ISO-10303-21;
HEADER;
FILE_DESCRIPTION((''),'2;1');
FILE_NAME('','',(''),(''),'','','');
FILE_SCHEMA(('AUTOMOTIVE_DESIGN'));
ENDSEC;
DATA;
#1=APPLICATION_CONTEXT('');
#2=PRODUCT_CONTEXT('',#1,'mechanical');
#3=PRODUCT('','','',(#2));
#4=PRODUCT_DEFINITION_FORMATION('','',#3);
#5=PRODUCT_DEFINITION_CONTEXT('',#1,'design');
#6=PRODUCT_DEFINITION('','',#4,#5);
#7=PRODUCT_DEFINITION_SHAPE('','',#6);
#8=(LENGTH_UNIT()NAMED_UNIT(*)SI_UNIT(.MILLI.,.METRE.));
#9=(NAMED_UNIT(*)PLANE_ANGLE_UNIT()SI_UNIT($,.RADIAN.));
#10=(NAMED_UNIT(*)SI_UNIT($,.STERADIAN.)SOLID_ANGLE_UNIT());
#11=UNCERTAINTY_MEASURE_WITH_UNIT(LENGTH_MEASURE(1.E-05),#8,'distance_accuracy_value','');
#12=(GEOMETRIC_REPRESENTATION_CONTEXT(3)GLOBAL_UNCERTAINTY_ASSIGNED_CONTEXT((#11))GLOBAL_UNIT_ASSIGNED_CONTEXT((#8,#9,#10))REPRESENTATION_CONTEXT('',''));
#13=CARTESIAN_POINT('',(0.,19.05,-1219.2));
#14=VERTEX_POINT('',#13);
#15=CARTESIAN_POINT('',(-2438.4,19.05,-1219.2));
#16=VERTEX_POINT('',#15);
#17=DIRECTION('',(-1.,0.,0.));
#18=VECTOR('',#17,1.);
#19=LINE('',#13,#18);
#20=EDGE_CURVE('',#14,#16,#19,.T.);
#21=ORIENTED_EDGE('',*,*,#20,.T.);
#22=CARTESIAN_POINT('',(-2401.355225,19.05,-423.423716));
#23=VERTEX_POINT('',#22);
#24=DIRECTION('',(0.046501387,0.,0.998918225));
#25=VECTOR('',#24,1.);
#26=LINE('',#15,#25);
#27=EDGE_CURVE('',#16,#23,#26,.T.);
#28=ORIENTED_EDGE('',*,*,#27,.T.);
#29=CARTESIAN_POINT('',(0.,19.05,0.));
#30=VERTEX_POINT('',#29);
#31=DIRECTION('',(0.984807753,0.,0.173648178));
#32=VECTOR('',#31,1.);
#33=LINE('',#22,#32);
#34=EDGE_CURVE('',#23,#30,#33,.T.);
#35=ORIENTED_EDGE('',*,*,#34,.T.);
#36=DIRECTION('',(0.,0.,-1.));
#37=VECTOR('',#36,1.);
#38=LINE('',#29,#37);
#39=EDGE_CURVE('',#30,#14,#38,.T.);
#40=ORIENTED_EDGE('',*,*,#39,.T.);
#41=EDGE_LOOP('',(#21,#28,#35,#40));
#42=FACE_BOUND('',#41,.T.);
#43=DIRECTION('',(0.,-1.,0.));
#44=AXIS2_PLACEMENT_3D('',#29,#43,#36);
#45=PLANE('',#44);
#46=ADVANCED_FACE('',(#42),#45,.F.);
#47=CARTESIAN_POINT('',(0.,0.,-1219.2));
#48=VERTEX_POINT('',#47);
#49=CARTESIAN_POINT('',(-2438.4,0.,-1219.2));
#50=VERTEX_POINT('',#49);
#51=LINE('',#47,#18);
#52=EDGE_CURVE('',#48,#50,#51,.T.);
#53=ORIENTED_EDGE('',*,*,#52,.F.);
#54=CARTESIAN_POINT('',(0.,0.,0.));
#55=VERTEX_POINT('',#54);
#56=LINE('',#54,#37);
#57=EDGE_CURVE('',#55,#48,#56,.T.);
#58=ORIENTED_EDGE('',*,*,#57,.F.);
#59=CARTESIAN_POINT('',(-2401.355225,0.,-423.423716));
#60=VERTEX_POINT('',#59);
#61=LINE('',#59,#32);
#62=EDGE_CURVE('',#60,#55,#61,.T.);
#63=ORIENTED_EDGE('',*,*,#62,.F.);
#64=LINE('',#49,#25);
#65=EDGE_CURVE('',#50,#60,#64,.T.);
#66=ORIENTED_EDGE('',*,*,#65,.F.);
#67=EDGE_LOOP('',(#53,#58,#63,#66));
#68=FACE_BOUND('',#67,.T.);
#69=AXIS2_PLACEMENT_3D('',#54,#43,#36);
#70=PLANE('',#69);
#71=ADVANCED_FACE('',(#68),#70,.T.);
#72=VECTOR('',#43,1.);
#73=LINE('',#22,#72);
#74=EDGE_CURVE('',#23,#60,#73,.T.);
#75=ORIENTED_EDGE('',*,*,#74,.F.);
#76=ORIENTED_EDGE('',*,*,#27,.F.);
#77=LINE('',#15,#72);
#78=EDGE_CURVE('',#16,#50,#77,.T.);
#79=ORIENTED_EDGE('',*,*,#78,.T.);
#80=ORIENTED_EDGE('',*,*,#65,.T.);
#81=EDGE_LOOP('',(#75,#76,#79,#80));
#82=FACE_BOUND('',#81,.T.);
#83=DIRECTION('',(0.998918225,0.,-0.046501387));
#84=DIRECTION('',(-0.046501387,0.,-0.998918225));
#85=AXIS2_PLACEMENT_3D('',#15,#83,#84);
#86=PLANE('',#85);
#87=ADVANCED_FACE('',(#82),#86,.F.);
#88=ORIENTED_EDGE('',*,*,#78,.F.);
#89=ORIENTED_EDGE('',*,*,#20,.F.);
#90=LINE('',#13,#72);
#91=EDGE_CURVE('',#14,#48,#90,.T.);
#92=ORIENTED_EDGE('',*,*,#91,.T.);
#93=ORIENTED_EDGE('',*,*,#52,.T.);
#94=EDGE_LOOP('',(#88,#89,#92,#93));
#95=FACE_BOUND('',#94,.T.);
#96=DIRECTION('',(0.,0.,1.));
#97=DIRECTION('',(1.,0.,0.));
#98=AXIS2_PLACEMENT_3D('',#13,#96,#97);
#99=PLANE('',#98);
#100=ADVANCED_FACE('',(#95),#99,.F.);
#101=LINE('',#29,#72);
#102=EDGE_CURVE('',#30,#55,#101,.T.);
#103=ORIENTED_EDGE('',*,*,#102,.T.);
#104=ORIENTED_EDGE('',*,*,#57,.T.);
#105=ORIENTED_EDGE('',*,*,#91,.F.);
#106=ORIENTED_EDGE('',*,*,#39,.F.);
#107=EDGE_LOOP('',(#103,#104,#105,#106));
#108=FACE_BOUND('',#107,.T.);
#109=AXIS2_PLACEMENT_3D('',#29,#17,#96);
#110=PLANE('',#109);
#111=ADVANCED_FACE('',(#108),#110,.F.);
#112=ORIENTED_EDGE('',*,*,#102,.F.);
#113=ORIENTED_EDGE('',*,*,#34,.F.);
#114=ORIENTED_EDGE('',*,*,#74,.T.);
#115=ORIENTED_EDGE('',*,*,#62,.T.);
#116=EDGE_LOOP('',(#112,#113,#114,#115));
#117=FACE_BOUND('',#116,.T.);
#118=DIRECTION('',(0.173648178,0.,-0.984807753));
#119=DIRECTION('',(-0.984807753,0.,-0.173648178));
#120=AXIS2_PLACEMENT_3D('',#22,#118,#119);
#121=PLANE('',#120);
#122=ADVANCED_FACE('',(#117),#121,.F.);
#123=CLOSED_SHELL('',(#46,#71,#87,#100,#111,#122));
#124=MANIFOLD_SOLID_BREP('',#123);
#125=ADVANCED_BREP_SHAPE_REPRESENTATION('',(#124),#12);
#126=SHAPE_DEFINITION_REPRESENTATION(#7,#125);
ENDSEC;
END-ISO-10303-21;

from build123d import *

# Parameters (mm, degrees)
BOSS_EXTRUDE1_DEPTH = 19.05


with BuildPart() as part:
    # Sketch1 → Boss-Extrude1 (new body)
    with BuildSketch(Plane(origin=(0, 0, 0), x_dir=(1, 0, 0), z_dir=(0, 1, 0))):
        Polygon((0, 0), (0, 1219.2), (-2438.4, 1219.2), (-2401.355224945, 423.423716423), align=None)
    extrude(amount=BOSS_EXTRUDE1_DEPTH)


solid = part.part
